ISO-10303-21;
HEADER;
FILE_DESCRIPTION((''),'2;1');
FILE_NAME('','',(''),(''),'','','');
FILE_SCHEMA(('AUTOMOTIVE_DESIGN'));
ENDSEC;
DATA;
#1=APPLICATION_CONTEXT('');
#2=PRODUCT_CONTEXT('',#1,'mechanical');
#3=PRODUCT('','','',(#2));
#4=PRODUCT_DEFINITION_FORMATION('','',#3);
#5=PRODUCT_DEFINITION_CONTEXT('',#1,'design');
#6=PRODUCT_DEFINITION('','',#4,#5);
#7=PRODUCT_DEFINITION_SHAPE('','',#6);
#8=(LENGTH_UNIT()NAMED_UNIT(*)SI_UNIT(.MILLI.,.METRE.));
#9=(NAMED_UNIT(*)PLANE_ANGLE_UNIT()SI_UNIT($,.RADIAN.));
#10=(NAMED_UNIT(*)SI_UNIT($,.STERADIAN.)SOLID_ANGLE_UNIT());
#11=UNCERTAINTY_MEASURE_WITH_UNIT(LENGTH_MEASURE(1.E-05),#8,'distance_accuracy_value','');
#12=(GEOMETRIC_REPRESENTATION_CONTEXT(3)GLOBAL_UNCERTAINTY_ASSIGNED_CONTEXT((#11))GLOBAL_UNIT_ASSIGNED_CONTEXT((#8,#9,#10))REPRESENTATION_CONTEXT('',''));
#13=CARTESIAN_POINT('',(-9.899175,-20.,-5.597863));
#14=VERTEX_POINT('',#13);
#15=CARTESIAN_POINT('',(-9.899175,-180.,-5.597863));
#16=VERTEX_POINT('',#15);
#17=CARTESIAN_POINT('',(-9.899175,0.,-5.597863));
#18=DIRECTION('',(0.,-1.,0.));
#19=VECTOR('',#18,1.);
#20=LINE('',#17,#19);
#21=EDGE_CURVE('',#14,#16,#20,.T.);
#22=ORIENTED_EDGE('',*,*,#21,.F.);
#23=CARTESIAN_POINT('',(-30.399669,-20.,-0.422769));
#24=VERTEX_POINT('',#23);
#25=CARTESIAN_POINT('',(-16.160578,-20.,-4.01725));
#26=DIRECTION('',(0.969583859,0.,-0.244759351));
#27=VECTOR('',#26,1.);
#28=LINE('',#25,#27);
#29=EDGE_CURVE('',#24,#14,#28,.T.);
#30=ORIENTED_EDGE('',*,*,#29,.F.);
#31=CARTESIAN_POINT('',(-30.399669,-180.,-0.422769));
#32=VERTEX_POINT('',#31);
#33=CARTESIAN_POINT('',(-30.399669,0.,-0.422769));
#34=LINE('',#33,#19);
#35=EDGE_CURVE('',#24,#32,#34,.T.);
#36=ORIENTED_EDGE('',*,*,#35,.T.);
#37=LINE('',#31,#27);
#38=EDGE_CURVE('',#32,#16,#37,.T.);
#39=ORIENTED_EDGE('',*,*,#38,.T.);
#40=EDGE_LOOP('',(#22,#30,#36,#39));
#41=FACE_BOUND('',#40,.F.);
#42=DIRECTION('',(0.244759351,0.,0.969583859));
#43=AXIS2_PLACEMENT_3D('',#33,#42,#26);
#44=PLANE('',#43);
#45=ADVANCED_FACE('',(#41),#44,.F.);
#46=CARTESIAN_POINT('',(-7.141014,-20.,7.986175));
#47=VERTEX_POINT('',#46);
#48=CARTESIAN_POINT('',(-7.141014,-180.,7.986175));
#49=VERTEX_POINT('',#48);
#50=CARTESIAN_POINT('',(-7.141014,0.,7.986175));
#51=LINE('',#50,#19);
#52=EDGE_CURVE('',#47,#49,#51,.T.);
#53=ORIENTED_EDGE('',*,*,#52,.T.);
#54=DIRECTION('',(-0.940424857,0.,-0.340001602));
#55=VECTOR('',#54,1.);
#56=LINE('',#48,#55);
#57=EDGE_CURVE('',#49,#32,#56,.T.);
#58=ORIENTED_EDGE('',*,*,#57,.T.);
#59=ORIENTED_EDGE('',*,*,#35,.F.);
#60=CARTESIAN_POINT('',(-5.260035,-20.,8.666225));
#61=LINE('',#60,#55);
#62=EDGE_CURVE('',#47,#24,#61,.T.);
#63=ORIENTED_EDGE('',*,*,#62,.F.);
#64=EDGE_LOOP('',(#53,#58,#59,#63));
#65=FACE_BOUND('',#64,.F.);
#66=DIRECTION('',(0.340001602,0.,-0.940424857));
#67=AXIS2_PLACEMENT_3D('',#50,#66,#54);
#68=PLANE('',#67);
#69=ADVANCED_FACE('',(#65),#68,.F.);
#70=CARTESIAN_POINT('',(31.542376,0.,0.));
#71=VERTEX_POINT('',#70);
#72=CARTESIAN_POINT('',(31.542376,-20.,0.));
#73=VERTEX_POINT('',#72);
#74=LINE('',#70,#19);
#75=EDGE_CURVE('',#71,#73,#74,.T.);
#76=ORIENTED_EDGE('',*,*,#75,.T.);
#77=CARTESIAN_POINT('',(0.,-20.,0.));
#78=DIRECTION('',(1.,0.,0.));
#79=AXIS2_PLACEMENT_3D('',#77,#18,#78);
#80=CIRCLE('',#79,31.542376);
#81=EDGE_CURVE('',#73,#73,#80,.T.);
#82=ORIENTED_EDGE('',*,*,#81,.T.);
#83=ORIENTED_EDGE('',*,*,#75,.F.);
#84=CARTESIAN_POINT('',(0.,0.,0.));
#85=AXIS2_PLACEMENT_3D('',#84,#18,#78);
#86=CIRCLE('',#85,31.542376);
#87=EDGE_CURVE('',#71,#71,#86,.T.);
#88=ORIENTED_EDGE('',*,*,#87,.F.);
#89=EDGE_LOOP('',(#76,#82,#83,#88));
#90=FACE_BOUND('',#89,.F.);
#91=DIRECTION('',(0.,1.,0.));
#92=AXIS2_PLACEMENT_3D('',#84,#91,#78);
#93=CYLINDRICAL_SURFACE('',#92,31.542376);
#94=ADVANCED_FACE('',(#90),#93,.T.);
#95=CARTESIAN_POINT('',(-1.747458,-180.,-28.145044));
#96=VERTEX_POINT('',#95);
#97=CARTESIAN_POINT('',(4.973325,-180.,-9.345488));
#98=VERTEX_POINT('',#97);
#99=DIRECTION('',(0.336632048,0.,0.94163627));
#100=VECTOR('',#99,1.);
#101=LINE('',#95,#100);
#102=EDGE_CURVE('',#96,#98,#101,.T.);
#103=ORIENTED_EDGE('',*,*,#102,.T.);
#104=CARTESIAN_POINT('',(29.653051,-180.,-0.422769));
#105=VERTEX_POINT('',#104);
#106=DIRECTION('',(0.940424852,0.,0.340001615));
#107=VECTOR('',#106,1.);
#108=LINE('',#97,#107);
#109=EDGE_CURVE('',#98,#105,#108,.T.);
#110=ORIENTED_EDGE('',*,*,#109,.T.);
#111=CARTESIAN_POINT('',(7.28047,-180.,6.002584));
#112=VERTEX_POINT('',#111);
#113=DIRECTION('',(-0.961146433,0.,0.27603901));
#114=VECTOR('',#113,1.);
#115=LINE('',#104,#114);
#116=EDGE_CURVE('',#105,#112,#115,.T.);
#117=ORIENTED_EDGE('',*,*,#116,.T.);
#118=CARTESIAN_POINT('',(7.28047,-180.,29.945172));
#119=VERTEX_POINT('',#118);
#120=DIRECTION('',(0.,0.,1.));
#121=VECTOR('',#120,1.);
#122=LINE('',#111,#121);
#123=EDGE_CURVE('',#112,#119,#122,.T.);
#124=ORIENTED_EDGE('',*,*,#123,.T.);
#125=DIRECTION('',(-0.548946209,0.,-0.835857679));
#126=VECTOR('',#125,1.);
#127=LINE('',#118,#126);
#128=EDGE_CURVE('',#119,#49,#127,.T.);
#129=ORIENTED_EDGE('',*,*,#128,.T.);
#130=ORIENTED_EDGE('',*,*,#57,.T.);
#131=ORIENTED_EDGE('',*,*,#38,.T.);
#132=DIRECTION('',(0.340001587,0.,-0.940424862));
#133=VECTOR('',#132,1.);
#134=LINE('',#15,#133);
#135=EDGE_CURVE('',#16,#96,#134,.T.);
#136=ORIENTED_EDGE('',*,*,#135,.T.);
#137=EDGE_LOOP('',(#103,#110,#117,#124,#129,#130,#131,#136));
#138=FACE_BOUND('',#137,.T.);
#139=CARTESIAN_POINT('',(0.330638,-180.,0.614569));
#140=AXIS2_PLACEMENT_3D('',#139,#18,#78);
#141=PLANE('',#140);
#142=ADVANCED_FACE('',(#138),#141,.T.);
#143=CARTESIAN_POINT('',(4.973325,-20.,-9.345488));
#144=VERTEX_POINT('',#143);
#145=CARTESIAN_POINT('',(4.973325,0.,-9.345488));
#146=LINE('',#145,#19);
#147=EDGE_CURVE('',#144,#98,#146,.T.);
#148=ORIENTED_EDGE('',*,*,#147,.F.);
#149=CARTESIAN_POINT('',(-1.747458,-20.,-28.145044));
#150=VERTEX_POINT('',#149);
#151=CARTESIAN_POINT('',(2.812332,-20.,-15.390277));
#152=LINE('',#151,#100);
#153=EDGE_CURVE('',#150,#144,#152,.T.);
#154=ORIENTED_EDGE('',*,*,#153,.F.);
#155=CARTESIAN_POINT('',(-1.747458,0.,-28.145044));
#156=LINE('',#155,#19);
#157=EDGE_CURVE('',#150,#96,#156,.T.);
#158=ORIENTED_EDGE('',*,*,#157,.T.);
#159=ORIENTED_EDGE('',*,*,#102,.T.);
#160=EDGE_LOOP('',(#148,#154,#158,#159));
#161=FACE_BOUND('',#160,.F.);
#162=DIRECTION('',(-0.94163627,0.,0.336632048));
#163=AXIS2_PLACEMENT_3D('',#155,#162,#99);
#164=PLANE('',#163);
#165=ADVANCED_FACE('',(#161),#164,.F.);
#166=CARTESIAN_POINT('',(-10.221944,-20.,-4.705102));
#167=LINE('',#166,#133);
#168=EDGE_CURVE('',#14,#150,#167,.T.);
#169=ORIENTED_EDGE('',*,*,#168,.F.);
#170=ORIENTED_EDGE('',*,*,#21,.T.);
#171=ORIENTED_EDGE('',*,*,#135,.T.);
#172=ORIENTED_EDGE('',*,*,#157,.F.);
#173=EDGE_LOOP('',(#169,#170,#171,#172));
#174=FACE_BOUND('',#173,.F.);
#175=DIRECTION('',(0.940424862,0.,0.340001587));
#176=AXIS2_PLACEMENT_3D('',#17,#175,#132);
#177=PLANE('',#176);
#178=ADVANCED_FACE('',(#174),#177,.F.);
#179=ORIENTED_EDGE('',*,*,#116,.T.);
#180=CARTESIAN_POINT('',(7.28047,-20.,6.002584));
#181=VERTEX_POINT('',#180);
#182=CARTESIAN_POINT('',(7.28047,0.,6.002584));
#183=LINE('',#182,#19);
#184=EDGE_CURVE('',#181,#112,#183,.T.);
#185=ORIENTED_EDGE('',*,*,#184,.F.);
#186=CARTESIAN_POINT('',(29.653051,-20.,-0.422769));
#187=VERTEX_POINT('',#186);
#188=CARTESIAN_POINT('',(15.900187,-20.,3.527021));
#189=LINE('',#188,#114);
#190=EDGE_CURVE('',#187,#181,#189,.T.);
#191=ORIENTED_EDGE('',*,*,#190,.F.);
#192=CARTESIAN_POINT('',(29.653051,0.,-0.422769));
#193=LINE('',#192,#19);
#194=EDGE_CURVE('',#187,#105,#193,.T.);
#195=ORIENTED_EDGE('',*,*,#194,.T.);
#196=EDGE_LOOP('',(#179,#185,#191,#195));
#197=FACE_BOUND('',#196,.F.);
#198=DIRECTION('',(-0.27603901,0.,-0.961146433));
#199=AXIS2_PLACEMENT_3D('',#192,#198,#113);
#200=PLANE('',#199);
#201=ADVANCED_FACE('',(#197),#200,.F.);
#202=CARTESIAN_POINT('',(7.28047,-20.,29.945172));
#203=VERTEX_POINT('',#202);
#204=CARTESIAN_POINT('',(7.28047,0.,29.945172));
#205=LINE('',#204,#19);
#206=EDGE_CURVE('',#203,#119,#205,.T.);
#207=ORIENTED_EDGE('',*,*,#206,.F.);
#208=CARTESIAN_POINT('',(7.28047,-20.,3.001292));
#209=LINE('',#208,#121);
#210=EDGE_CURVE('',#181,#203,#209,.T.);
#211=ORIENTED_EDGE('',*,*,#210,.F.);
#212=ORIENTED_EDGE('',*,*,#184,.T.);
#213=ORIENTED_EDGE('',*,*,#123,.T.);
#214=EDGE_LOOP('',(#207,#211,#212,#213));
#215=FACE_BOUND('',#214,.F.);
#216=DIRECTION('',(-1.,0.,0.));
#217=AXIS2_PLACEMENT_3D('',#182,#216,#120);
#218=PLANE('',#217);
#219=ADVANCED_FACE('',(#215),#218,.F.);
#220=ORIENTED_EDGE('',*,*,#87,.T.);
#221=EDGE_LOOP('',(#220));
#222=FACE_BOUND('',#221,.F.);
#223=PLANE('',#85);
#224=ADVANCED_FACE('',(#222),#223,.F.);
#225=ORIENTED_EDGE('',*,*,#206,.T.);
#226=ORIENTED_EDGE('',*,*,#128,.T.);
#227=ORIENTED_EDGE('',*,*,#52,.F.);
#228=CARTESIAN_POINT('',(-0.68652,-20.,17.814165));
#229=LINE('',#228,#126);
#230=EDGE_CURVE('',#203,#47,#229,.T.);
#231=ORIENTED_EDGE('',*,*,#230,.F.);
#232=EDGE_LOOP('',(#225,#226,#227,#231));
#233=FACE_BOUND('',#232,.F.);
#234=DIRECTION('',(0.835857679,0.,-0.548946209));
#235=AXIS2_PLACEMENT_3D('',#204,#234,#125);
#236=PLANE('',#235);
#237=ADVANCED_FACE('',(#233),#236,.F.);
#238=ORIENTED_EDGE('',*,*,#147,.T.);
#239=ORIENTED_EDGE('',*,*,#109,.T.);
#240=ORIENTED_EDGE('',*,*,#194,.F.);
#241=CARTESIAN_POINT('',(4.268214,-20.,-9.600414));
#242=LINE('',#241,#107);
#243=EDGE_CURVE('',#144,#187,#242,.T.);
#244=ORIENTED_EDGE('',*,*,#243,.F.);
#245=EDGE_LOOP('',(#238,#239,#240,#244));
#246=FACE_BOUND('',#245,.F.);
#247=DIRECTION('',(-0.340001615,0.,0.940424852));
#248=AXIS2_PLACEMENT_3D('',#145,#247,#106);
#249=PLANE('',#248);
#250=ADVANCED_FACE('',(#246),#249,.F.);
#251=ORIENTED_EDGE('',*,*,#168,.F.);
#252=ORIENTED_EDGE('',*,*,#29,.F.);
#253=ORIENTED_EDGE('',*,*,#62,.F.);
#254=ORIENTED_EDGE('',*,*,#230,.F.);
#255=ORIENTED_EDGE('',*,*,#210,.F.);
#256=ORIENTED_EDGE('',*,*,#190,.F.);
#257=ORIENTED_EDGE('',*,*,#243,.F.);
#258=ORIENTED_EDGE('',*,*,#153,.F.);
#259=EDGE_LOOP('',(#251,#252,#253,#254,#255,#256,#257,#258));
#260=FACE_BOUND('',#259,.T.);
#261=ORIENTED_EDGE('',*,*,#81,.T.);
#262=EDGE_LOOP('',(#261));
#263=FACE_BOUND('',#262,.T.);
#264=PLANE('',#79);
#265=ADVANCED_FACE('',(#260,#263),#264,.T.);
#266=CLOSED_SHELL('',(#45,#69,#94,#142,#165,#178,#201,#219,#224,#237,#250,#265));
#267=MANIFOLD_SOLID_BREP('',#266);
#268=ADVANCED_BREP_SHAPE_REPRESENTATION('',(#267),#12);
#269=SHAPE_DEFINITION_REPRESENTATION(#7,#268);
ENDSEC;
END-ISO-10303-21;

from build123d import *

# Parameters (mm, degrees)
F1_DEPTH = 180
F2_R     = 31.542376
F3_DEPTH = 20


with BuildPart() as f1:
    # F0 (on Front) → F1 (new body)
    with BuildSketch(Plane.XZ):
        Polygon((7.28047, 6.002584), (7.28047, 29.945172), (-7.141014, 7.986175), (-30.399669, -0.422769), (-9.899175, -5.597863), (-1.747458, -28.145044), (4.973325, -9.345488), (29.653051, -0.422769), align=None)
    extrude(amount=F1_DEPTH)

    # F2 (on face) → F3 (join)
    with BuildSketch(Plane.XZ):
        Circle(F2_R)
    extrude(amount=F3_DEPTH)


solid = f1.part
